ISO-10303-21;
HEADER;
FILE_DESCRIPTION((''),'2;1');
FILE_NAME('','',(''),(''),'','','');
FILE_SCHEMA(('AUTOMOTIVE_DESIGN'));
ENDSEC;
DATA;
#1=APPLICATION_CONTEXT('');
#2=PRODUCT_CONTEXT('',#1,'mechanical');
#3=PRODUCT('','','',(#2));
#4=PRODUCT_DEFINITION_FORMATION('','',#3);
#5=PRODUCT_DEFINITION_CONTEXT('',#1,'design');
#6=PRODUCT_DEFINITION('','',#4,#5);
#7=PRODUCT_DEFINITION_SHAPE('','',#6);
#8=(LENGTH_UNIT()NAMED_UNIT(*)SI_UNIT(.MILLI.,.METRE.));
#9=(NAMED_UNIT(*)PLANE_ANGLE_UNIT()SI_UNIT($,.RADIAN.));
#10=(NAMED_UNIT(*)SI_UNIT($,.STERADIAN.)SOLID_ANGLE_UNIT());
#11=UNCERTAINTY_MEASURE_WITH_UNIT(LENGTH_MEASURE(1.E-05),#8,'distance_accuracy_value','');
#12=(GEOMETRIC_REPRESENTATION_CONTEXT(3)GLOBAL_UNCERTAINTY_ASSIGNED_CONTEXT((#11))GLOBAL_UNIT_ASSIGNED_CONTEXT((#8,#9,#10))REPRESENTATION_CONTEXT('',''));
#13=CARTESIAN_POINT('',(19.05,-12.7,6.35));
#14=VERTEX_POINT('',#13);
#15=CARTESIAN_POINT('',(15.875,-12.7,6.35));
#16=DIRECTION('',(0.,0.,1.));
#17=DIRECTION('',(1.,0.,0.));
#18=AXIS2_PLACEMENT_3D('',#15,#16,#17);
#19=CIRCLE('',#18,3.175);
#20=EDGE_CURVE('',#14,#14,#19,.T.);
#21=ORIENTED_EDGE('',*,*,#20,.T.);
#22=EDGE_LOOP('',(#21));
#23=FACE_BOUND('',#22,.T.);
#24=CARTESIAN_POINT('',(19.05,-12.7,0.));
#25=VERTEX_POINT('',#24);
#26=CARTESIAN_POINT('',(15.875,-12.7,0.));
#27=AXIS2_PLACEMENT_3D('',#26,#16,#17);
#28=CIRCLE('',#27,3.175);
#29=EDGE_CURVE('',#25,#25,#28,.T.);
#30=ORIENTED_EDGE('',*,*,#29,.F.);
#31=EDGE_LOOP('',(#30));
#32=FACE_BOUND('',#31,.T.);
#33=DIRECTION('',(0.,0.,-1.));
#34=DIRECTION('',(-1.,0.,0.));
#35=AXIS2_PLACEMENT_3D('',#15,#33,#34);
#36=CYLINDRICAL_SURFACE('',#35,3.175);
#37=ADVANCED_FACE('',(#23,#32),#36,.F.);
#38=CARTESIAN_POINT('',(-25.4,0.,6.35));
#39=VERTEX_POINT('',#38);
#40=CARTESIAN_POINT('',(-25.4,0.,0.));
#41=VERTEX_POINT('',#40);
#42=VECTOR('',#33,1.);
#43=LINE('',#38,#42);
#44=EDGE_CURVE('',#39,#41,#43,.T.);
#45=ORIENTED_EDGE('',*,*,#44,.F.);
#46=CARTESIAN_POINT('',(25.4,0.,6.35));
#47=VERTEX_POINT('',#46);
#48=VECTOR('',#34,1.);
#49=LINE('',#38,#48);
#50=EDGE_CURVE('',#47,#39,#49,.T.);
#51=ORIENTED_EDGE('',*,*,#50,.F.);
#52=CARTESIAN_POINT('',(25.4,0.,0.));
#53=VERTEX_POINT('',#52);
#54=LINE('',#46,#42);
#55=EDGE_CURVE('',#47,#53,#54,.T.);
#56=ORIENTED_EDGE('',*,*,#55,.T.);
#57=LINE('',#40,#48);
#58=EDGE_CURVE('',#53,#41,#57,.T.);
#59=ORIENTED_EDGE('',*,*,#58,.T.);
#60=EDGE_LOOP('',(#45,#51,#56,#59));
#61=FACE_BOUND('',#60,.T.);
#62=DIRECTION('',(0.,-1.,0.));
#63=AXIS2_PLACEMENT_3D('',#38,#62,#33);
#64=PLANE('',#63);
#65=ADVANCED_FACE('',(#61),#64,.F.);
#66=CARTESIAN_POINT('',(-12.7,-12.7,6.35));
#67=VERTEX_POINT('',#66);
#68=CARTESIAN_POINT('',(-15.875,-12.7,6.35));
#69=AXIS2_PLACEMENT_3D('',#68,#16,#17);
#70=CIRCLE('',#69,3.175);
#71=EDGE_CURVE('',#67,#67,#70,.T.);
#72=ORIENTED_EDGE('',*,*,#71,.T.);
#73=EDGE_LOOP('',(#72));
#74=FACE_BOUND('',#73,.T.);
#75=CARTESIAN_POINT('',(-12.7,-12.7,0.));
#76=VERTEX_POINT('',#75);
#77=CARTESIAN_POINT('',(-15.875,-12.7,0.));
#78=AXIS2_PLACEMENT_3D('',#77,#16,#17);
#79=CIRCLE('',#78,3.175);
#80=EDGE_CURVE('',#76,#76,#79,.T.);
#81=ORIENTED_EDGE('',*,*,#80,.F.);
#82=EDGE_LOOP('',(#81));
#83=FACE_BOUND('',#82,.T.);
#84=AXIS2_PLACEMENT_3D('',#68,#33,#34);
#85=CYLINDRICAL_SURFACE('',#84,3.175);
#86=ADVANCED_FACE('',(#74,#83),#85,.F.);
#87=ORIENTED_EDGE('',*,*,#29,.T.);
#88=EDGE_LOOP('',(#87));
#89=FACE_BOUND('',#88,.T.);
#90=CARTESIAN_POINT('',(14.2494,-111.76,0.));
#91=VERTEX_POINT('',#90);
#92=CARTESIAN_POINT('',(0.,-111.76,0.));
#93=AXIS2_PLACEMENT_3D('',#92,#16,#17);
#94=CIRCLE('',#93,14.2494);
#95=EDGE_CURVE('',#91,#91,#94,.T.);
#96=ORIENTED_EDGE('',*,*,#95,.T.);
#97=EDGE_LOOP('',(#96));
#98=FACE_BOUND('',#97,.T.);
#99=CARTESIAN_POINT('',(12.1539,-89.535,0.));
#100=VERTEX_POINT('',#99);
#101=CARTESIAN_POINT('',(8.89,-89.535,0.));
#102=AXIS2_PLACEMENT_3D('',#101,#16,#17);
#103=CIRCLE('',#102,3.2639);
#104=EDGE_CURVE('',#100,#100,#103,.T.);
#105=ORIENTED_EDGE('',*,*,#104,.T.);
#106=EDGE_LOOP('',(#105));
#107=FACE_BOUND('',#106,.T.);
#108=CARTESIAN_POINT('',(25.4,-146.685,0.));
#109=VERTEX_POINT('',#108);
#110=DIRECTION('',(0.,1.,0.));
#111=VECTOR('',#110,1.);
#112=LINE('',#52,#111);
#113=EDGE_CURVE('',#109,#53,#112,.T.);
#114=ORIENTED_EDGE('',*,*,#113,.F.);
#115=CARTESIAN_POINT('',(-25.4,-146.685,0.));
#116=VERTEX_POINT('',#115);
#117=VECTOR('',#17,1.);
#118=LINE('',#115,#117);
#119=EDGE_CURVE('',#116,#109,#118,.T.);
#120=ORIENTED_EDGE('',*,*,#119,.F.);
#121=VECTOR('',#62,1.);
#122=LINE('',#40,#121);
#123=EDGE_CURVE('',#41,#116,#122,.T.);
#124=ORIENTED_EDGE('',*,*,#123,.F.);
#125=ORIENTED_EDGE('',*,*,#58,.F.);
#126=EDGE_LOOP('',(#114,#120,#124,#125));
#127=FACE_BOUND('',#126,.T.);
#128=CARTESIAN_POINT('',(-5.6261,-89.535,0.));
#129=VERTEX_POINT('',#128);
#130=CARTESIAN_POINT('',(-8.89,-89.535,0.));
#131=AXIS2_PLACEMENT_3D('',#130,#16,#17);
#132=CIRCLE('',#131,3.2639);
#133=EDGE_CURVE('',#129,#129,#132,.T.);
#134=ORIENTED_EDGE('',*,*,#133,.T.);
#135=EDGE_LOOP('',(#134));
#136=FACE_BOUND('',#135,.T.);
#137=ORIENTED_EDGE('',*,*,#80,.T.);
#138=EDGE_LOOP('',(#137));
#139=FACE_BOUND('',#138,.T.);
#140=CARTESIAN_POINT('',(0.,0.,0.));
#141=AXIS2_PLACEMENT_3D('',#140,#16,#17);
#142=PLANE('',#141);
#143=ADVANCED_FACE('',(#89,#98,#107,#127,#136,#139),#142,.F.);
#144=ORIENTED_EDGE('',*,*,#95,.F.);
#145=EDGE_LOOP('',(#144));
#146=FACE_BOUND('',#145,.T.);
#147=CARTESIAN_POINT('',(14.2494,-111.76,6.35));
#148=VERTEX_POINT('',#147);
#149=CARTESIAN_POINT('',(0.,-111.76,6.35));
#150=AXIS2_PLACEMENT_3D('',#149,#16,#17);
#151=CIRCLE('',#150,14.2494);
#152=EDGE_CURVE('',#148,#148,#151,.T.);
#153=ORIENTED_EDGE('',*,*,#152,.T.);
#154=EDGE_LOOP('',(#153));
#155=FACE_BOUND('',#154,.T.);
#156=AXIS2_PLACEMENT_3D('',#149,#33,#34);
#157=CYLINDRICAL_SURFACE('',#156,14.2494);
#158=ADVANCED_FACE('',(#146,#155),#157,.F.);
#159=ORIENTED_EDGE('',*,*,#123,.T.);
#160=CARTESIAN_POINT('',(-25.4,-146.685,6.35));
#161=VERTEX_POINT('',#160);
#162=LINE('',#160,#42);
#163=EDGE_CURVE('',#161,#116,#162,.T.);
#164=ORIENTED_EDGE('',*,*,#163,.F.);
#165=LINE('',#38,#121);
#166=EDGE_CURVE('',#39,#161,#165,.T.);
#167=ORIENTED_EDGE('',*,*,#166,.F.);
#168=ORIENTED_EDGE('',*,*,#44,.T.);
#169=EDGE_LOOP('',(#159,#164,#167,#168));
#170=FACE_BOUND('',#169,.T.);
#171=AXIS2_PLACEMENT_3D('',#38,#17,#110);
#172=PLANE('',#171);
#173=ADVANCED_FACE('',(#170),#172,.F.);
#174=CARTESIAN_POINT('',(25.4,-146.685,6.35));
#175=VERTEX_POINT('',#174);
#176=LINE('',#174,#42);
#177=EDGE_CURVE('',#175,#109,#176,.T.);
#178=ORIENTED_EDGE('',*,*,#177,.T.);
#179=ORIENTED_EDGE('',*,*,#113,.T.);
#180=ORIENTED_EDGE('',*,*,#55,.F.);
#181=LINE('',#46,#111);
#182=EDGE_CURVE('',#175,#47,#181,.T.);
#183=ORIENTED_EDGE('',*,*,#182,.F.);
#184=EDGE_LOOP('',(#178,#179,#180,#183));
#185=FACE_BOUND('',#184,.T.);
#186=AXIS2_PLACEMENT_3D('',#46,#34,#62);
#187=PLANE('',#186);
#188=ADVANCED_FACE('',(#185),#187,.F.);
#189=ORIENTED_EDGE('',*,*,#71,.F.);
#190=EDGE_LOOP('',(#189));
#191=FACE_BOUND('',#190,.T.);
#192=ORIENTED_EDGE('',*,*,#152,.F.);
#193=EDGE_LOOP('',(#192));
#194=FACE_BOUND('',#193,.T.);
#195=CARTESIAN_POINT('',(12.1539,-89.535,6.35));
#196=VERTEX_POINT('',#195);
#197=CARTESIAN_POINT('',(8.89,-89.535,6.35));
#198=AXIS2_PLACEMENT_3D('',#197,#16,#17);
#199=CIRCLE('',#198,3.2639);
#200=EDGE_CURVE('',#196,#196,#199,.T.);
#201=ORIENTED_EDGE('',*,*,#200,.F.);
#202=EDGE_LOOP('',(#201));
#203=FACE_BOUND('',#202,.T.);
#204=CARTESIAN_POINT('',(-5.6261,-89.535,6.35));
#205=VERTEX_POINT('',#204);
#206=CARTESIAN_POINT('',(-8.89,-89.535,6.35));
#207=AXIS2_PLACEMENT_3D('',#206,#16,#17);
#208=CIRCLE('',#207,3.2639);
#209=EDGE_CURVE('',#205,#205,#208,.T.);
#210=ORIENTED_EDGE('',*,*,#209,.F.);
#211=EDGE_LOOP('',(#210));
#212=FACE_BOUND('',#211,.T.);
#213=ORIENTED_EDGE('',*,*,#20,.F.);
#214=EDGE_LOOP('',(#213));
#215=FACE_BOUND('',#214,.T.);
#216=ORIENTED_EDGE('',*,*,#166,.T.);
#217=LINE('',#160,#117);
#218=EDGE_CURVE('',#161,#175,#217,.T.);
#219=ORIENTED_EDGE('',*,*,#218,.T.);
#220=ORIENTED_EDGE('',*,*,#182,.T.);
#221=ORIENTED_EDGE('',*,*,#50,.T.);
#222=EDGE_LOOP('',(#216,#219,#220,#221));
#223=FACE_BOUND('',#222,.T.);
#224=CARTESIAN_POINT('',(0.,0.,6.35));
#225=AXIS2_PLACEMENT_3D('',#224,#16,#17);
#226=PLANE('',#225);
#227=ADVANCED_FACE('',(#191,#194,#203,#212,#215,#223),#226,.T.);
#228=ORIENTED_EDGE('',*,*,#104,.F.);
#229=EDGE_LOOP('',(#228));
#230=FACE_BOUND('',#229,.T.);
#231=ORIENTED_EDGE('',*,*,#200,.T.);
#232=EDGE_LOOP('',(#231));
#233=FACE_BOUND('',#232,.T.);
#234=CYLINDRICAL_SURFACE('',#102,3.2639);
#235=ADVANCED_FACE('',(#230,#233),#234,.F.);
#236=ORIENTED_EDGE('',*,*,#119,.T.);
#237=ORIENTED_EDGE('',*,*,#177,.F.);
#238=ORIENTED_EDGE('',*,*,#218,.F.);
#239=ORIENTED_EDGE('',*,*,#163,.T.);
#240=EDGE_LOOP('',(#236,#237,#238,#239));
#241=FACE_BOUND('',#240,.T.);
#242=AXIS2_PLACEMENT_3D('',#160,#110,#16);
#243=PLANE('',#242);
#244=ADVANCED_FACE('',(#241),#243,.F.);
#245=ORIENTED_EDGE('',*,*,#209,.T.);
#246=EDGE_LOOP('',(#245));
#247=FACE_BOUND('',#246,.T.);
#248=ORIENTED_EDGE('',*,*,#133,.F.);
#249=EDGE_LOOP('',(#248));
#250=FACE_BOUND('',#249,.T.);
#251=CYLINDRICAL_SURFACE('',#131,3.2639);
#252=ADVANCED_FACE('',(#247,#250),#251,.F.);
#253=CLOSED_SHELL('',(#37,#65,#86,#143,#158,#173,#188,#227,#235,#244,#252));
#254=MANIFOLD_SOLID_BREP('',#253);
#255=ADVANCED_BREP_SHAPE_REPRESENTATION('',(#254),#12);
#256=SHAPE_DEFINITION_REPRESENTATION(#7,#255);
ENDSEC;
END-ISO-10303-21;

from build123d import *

# Parameters (mm, degrees)
SKETCH1_W           = 50.8
SKETCH1_H           = 146.685
SKETCH1_R           = 14.2494
SKETCH1_R_2         = 3.175
BOSS_EXTRUDE3_DEPTH = 6.35
SKETCH2_R           = 3.2639
CUT_EXTRUDE1_DEPTH  = 150.003260786


with BuildPart() as part:
    # Sketch1 → Boss-Extrude3 (new body)
    with BuildSketch(Plane.XY):
        with Locations((0, -73.3425)):
            Rectangle(SKETCH1_W, SKETCH1_H)
        with Locations((0, -111.76)):
            Circle(SKETCH1_R, mode=Mode.SUBTRACT)
        with Locations((-15.875, -12.7)):
            Circle(SKETCH1_R_2, mode=Mode.SUBTRACT)
        with Locations((15.875, -12.7)):
            Circle(SKETCH1_R_2, mode=Mode.SUBTRACT)
    extrude(amount=BOSS_EXTRUDE3_DEPTH)

    # Sketch2 → Cut-Extrude1 (cut, through all)
    with BuildSketch(Plane.XY.offset(6.35)):
        with Locations((8.89, -89.535)):
            Circle(SKETCH2_R)
        with Locations((-8.89, -89.535)):
            Circle(SKETCH2_R)
    extrude(amount=-CUT_EXTRUDE1_DEPTH, mode=Mode.SUBTRACT)


solid = part.part
